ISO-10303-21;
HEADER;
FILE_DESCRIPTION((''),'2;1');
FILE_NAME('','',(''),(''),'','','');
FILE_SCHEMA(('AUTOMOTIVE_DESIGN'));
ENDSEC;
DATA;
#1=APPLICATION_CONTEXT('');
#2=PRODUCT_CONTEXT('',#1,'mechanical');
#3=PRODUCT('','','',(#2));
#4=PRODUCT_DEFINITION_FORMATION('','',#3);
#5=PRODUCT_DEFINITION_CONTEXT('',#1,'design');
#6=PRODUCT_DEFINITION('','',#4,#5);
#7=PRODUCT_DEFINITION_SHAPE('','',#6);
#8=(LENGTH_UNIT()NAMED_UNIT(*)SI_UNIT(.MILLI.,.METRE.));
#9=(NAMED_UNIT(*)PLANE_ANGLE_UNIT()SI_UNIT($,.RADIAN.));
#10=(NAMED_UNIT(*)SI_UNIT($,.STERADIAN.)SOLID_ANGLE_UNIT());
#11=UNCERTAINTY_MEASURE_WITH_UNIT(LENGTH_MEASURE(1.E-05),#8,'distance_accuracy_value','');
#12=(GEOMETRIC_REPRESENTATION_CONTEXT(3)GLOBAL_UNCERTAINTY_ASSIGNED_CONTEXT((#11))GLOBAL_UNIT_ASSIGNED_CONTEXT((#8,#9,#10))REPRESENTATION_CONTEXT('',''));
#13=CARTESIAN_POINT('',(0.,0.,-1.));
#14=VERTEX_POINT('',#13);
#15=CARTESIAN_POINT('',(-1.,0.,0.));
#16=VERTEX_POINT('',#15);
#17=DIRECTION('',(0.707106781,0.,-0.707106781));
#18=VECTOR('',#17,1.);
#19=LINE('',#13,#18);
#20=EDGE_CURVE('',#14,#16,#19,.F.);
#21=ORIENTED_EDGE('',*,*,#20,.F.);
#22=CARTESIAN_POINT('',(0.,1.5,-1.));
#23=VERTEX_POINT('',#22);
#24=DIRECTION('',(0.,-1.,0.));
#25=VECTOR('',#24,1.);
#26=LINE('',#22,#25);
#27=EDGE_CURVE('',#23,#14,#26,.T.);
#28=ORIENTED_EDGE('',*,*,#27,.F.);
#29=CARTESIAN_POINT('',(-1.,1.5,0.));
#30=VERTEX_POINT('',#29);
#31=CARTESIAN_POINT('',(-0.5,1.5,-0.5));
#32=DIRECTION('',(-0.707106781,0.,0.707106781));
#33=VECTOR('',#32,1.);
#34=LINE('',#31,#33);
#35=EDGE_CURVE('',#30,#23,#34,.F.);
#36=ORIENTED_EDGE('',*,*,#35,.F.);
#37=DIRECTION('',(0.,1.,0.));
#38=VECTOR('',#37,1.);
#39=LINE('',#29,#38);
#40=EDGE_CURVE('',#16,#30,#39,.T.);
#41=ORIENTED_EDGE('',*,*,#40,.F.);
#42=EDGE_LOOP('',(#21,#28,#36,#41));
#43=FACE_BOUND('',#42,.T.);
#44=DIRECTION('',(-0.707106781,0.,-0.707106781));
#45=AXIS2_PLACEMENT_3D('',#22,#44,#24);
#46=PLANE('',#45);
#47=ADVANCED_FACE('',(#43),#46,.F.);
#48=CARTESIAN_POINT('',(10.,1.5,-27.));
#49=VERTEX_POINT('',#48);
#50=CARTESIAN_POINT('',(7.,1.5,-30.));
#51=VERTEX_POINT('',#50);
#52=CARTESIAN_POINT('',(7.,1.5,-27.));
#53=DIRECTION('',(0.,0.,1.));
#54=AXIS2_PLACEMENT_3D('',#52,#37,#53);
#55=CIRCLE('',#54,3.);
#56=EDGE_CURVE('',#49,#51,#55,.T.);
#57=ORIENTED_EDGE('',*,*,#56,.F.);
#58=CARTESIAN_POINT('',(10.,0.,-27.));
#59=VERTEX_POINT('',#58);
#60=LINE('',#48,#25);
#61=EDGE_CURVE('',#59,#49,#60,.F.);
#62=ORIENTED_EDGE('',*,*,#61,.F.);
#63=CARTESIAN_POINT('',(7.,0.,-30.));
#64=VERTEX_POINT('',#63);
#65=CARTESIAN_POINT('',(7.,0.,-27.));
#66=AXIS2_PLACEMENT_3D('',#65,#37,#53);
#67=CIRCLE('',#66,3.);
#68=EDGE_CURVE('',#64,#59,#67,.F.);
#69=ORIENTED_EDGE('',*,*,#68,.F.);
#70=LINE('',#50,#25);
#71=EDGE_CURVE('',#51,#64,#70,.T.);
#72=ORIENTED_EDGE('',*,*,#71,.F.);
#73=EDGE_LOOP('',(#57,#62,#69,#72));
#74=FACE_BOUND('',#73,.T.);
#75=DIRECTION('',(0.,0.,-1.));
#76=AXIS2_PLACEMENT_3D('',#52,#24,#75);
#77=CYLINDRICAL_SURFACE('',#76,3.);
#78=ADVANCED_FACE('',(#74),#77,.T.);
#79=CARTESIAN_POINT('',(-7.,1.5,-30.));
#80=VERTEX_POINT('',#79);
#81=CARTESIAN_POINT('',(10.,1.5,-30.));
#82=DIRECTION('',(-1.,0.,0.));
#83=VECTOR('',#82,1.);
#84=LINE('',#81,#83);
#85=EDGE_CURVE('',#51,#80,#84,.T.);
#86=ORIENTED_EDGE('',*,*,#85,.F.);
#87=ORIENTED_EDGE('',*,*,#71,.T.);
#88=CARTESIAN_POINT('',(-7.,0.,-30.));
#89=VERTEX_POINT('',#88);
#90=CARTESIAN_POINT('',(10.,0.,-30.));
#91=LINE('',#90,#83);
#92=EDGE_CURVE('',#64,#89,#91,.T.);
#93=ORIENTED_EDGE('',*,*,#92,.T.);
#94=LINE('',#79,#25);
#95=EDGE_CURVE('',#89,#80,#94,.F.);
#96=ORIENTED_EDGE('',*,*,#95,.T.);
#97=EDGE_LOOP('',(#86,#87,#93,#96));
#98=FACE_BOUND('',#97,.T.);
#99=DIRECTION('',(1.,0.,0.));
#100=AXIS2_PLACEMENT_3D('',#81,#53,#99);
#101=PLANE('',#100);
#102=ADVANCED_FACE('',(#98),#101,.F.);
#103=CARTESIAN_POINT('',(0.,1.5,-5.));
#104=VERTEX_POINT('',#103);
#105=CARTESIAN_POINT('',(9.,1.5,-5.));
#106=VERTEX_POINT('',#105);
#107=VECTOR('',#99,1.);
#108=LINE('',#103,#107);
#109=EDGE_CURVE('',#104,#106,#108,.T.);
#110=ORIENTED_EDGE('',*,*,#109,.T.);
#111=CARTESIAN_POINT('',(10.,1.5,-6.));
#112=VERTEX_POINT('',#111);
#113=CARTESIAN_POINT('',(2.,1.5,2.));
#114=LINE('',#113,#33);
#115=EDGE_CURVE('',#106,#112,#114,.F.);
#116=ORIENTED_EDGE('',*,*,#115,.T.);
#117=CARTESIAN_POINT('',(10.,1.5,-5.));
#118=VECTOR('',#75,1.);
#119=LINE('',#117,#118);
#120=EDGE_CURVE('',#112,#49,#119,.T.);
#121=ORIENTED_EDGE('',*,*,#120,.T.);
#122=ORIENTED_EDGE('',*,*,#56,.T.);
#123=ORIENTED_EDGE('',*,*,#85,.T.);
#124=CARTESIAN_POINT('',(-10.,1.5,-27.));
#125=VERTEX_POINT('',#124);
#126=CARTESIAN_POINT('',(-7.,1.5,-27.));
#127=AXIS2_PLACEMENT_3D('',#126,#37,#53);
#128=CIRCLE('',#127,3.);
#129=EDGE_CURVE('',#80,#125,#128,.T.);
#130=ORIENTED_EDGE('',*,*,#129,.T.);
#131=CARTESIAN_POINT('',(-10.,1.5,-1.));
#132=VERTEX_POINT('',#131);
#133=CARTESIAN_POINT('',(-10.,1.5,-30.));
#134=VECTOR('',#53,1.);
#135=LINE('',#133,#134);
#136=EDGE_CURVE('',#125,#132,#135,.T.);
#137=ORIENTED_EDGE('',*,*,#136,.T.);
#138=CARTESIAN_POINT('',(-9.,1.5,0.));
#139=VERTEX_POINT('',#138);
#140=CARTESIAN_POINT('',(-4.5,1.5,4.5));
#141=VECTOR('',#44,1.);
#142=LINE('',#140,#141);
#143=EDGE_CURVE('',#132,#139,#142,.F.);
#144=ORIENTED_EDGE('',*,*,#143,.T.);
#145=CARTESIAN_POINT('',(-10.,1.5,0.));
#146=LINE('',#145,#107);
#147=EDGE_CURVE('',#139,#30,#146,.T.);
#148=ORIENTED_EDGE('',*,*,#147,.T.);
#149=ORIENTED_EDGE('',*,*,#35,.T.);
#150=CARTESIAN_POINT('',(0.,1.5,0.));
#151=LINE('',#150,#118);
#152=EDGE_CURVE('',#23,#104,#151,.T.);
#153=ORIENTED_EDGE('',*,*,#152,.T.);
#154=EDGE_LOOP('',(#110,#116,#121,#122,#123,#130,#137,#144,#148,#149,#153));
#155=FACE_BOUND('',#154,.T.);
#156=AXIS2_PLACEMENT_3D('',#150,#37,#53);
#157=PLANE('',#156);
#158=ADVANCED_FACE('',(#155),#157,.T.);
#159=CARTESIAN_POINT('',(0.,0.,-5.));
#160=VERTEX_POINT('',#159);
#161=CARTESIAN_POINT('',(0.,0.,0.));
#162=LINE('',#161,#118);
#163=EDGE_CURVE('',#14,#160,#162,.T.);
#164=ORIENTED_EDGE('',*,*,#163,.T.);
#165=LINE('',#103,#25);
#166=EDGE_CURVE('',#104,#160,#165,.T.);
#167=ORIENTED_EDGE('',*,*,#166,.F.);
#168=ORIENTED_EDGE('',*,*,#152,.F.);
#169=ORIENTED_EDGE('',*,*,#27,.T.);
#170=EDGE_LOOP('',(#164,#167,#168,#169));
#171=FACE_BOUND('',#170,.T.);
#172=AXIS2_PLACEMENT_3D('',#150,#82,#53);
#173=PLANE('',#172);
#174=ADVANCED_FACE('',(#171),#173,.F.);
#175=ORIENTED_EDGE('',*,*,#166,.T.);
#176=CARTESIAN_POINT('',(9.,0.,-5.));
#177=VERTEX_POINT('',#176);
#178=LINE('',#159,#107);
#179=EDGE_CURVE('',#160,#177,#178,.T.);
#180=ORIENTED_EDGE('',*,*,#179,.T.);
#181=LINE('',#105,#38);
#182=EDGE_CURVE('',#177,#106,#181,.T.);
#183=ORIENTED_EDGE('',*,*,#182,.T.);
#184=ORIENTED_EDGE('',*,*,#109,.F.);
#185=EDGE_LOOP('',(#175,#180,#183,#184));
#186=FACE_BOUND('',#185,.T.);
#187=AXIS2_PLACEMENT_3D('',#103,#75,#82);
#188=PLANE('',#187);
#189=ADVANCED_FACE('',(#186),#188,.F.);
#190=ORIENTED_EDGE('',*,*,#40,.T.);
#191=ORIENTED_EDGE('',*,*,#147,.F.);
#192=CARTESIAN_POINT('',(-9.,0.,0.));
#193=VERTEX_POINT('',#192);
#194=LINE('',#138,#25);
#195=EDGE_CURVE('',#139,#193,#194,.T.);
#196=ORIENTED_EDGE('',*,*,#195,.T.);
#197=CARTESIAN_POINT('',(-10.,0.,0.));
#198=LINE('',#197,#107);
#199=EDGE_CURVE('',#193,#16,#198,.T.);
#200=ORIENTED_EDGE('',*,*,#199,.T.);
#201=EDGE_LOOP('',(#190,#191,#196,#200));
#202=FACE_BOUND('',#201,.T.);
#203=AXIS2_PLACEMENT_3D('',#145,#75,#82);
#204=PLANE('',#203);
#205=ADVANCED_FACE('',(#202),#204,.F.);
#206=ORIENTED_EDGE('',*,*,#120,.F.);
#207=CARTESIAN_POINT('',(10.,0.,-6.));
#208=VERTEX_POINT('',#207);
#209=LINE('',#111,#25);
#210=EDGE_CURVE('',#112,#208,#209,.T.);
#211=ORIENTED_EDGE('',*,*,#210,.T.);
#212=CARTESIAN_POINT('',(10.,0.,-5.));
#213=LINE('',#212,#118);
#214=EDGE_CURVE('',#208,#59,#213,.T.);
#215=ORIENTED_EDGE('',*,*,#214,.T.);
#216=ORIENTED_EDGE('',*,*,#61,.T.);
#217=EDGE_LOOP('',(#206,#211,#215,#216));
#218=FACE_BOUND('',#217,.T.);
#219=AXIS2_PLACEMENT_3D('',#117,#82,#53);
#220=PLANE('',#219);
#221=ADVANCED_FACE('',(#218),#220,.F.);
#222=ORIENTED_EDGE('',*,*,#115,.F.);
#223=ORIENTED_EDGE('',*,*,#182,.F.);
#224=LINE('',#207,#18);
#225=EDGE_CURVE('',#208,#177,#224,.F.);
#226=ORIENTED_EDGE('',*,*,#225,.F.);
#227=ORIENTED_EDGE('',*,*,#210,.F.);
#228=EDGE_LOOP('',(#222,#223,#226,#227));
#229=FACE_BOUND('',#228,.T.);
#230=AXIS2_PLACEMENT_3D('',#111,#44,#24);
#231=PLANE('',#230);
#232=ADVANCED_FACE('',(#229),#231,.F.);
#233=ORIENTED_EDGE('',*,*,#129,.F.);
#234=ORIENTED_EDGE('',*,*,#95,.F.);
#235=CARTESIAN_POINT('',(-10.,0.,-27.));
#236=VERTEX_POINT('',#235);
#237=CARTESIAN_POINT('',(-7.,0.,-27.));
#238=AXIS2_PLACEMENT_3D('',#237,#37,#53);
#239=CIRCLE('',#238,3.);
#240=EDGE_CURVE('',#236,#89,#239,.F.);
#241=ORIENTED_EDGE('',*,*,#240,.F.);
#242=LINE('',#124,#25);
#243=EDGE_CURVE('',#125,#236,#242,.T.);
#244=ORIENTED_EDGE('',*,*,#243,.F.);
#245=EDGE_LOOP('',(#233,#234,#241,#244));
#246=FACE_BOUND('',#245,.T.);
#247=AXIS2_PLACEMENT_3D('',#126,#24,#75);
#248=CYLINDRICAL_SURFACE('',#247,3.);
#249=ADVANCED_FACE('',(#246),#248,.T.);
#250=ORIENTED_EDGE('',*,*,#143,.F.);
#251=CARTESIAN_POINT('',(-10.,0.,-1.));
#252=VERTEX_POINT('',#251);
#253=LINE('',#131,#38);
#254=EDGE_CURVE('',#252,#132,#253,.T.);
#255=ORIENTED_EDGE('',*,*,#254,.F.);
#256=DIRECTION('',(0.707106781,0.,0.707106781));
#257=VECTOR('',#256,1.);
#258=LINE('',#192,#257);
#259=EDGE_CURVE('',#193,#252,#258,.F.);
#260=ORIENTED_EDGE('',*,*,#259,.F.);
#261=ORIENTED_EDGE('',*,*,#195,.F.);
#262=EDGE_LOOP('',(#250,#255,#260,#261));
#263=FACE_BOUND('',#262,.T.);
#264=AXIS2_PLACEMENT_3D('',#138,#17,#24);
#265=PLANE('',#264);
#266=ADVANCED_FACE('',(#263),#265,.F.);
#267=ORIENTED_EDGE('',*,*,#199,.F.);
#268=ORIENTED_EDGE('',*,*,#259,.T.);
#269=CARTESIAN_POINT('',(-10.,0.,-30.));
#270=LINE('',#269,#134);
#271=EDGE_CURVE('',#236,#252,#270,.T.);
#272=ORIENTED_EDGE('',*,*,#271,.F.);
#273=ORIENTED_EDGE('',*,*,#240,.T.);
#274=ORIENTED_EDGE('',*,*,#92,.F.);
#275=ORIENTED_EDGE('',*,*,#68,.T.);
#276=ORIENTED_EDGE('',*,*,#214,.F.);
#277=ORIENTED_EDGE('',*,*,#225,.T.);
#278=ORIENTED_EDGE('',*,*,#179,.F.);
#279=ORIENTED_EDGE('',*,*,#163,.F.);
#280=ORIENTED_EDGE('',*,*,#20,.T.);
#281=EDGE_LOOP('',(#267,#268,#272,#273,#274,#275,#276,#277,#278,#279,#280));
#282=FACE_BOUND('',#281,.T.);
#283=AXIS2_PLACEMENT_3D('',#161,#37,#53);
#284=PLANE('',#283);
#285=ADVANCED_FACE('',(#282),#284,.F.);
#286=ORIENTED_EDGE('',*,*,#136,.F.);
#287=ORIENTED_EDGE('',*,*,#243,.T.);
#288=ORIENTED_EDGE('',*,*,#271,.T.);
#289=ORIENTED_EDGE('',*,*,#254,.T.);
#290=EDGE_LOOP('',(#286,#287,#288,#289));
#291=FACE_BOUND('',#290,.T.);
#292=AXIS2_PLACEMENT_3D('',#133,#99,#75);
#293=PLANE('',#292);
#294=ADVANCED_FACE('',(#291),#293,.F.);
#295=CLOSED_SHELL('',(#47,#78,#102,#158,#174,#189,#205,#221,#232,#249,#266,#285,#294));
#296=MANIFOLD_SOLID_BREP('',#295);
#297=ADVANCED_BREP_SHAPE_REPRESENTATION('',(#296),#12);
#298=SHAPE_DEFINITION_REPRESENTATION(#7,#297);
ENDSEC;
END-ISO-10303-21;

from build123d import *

# Parameters (mm, degrees)
BOSS_EXTRUDE1_DEPTH = 1.5
FILLET1_R           = 3
CHAMFER1_SIZE       = 1


with BuildPart() as part:
    # Sketch1 → Boss-Extrude1 (new body)
    with BuildSketch(Plane(origin=(0, 0, 0), x_dir=(1, 0, 0), z_dir=(0, 1, 0))):
        Polygon((0, 0), (0, 5), (10, 5), (10, 30), (-10, 30), (-10, 0), align=None)
    extrude(amount=BOSS_EXTRUDE1_DEPTH)

    # Fillet1
    fillet1_edges = [part.edges().sort_by_distance(p)[0] for p in [
        (-10, 0.75, -30),
        (10, 0.75, -30),
    ]]
    fillet(fillet1_edges, radius=FILLET1_R)

    # Chamfer1
    chamfer1_edges = [part.edges().sort_by_distance(p)[0] for p in [
        (-10, 0.75, 0),
        (10, 0.75, -5),
        (0, 0.75, 0),
    ]]
    chamfer(chamfer1_edges, length=CHAMFER1_SIZE)


solid = part.part
